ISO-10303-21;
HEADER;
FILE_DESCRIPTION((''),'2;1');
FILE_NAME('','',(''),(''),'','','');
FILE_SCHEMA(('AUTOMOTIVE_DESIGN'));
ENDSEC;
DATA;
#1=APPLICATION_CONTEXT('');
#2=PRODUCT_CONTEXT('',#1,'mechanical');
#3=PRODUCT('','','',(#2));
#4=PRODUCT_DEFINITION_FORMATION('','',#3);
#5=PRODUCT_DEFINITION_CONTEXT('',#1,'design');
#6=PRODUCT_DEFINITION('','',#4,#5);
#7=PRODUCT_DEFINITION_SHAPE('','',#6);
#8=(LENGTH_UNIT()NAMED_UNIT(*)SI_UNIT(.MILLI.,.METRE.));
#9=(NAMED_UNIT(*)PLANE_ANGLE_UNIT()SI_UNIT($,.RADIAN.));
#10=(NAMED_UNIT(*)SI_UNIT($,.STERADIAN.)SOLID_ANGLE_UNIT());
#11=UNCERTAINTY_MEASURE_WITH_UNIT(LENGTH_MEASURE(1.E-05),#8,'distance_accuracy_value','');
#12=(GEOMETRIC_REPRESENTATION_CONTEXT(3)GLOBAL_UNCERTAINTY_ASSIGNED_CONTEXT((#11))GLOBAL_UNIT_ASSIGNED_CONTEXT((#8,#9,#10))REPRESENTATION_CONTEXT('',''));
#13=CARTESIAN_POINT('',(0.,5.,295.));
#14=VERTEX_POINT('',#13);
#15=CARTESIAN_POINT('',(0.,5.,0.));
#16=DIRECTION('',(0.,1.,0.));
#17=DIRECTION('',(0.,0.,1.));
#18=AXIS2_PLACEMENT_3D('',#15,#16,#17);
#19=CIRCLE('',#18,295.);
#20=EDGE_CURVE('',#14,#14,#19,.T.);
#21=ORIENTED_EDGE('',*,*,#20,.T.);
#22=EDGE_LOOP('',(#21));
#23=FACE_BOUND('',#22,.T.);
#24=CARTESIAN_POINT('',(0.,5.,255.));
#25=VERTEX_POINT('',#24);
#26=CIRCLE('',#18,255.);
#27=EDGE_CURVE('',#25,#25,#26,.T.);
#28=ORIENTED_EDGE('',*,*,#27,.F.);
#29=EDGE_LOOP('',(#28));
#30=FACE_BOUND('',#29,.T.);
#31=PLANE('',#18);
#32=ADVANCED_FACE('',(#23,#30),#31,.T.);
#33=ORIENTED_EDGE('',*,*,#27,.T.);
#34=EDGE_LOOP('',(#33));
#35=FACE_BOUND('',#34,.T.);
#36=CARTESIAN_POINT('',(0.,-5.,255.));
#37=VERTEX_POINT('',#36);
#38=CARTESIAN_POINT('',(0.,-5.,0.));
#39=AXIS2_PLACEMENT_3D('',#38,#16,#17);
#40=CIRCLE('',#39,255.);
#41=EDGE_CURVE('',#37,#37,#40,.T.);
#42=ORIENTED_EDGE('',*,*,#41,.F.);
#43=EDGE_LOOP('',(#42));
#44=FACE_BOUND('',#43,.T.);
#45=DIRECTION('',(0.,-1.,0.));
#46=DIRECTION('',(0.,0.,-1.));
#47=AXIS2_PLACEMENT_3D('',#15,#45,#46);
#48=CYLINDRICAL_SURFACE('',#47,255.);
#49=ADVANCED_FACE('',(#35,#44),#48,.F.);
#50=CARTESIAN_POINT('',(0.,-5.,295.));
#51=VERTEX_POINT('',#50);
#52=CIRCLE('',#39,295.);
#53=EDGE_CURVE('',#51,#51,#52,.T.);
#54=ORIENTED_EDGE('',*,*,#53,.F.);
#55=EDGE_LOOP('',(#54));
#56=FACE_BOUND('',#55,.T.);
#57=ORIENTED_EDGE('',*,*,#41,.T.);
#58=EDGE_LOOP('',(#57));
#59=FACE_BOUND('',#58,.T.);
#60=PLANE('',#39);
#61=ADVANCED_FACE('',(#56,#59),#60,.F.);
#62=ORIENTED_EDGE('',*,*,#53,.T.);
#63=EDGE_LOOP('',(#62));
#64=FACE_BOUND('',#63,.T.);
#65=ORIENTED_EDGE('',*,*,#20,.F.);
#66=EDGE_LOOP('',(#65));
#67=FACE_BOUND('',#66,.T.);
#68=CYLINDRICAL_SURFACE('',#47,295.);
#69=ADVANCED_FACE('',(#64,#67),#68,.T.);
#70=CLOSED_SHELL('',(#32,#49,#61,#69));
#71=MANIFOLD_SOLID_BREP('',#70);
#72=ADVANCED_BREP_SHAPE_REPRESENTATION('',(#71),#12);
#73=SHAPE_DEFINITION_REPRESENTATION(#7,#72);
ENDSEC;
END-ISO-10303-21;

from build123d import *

# Parameters (mm, degrees)
SKETCH1_R           = 295
SKETCH1_R_2         = 255
BOSS_EXTRUDE1_DEPTH = 5


with BuildPart() as part:
    # Sketch1 → Boss-Extrude1 (new, symmetric)
    with BuildSketch(Plane(origin=(0, 0, 0), x_dir=(1, 0, 0), z_dir=(0, 1, 0))):
        with Locations(Location((0, 0, 0), (0, 0, 270))):
            Circle(SKETCH1_R)
        with Locations(Location((0, 0, 0), (0, 0, 270))):
            Circle(SKETCH1_R_2, mode=Mode.SUBTRACT)
    extrude(amount=BOSS_EXTRUDE1_DEPTH, both=True)


solid = part.part
